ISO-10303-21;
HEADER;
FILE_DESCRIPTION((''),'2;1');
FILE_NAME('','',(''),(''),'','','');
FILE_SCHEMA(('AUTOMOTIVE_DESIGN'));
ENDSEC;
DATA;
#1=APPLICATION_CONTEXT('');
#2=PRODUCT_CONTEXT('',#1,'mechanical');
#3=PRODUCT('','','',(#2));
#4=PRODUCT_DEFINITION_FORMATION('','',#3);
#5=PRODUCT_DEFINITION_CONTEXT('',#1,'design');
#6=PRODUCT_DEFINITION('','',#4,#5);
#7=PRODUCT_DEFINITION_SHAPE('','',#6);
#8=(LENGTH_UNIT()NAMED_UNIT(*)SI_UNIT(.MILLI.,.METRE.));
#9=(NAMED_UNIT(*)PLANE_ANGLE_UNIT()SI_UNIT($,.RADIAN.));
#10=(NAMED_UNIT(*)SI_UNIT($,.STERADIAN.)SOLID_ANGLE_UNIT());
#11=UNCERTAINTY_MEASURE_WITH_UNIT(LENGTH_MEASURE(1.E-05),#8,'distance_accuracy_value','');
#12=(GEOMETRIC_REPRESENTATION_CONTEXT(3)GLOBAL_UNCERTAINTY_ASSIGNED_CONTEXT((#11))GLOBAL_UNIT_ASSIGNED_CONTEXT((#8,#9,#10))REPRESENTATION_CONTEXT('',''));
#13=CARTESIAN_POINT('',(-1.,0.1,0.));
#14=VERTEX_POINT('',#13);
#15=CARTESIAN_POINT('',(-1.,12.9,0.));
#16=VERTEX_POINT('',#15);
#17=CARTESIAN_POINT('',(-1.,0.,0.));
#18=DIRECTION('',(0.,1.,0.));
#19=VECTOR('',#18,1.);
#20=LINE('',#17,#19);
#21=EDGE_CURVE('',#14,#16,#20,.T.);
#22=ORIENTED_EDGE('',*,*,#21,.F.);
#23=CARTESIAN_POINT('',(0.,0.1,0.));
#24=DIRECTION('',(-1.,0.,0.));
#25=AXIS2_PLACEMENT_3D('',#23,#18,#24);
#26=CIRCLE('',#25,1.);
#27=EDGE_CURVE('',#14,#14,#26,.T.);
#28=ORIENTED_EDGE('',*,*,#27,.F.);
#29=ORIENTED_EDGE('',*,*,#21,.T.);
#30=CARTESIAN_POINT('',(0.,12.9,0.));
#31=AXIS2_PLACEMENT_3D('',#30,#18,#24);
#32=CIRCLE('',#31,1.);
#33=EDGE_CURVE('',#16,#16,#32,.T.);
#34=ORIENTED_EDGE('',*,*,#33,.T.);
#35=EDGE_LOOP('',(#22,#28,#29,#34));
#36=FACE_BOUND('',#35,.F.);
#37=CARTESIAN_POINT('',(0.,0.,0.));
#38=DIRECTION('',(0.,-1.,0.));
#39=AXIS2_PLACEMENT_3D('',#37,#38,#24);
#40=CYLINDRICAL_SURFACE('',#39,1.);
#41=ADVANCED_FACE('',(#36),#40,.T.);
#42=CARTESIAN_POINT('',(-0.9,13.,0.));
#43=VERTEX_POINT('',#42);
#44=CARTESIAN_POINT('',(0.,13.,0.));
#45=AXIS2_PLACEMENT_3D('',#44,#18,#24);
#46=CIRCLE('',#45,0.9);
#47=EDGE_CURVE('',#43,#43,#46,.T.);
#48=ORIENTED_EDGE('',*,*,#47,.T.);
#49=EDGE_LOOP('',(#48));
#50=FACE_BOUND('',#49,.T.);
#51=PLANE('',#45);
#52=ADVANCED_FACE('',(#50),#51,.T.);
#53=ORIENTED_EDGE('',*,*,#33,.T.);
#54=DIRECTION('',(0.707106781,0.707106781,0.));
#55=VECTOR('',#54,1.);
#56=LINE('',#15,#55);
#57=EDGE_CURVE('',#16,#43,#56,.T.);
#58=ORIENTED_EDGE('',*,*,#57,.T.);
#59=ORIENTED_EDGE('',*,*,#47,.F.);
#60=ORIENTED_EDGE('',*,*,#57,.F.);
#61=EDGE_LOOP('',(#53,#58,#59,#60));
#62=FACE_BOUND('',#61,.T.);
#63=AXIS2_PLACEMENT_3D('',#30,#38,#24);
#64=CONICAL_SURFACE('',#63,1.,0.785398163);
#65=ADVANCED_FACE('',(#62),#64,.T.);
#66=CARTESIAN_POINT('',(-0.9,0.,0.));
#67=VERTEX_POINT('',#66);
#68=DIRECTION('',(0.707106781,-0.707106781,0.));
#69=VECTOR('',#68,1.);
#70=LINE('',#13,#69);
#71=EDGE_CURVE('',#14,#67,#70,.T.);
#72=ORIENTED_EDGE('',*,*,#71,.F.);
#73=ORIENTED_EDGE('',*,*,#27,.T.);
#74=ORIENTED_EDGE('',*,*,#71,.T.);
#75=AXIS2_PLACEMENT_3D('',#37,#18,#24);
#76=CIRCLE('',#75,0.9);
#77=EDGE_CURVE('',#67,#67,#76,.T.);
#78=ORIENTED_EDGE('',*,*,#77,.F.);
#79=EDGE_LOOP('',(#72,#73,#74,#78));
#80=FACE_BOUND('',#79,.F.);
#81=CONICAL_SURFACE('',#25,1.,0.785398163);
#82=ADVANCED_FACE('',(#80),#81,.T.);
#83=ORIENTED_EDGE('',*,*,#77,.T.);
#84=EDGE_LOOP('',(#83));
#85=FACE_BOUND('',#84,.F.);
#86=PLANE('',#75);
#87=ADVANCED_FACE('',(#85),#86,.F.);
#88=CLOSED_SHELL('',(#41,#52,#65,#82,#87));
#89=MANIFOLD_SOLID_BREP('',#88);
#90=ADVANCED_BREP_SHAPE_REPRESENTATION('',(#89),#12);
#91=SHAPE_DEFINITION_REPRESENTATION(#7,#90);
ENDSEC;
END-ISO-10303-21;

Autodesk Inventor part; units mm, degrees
ref_plane "YZ Plane" through (0, 0, 0) normal (1, 0, 0) x (0, 1, 0)
ref_plane "XZ Plane" through (0, 0, 0) normal (0, 1, 0) x (-1, 0, 0)
ref_plane "XY Plane" through (0, 0, 0) normal (0, 0, 1) x (1, 0, 0)
sketch "Skizze1" plane through (0, 0, 0) normal (0, 1, 0) x (-1, 0, 0)
  circle A0 centre (0, 0) radius 1
  dimension "d0" = 2
extrude "Extrusion1" add sketch "Skizze1" along normal blind 13
chamfer "Fasen1" distance 0.1 angle 45 2 edges at (1, 13, 0) (1, 0, 0)
properties part number "bolzen"
